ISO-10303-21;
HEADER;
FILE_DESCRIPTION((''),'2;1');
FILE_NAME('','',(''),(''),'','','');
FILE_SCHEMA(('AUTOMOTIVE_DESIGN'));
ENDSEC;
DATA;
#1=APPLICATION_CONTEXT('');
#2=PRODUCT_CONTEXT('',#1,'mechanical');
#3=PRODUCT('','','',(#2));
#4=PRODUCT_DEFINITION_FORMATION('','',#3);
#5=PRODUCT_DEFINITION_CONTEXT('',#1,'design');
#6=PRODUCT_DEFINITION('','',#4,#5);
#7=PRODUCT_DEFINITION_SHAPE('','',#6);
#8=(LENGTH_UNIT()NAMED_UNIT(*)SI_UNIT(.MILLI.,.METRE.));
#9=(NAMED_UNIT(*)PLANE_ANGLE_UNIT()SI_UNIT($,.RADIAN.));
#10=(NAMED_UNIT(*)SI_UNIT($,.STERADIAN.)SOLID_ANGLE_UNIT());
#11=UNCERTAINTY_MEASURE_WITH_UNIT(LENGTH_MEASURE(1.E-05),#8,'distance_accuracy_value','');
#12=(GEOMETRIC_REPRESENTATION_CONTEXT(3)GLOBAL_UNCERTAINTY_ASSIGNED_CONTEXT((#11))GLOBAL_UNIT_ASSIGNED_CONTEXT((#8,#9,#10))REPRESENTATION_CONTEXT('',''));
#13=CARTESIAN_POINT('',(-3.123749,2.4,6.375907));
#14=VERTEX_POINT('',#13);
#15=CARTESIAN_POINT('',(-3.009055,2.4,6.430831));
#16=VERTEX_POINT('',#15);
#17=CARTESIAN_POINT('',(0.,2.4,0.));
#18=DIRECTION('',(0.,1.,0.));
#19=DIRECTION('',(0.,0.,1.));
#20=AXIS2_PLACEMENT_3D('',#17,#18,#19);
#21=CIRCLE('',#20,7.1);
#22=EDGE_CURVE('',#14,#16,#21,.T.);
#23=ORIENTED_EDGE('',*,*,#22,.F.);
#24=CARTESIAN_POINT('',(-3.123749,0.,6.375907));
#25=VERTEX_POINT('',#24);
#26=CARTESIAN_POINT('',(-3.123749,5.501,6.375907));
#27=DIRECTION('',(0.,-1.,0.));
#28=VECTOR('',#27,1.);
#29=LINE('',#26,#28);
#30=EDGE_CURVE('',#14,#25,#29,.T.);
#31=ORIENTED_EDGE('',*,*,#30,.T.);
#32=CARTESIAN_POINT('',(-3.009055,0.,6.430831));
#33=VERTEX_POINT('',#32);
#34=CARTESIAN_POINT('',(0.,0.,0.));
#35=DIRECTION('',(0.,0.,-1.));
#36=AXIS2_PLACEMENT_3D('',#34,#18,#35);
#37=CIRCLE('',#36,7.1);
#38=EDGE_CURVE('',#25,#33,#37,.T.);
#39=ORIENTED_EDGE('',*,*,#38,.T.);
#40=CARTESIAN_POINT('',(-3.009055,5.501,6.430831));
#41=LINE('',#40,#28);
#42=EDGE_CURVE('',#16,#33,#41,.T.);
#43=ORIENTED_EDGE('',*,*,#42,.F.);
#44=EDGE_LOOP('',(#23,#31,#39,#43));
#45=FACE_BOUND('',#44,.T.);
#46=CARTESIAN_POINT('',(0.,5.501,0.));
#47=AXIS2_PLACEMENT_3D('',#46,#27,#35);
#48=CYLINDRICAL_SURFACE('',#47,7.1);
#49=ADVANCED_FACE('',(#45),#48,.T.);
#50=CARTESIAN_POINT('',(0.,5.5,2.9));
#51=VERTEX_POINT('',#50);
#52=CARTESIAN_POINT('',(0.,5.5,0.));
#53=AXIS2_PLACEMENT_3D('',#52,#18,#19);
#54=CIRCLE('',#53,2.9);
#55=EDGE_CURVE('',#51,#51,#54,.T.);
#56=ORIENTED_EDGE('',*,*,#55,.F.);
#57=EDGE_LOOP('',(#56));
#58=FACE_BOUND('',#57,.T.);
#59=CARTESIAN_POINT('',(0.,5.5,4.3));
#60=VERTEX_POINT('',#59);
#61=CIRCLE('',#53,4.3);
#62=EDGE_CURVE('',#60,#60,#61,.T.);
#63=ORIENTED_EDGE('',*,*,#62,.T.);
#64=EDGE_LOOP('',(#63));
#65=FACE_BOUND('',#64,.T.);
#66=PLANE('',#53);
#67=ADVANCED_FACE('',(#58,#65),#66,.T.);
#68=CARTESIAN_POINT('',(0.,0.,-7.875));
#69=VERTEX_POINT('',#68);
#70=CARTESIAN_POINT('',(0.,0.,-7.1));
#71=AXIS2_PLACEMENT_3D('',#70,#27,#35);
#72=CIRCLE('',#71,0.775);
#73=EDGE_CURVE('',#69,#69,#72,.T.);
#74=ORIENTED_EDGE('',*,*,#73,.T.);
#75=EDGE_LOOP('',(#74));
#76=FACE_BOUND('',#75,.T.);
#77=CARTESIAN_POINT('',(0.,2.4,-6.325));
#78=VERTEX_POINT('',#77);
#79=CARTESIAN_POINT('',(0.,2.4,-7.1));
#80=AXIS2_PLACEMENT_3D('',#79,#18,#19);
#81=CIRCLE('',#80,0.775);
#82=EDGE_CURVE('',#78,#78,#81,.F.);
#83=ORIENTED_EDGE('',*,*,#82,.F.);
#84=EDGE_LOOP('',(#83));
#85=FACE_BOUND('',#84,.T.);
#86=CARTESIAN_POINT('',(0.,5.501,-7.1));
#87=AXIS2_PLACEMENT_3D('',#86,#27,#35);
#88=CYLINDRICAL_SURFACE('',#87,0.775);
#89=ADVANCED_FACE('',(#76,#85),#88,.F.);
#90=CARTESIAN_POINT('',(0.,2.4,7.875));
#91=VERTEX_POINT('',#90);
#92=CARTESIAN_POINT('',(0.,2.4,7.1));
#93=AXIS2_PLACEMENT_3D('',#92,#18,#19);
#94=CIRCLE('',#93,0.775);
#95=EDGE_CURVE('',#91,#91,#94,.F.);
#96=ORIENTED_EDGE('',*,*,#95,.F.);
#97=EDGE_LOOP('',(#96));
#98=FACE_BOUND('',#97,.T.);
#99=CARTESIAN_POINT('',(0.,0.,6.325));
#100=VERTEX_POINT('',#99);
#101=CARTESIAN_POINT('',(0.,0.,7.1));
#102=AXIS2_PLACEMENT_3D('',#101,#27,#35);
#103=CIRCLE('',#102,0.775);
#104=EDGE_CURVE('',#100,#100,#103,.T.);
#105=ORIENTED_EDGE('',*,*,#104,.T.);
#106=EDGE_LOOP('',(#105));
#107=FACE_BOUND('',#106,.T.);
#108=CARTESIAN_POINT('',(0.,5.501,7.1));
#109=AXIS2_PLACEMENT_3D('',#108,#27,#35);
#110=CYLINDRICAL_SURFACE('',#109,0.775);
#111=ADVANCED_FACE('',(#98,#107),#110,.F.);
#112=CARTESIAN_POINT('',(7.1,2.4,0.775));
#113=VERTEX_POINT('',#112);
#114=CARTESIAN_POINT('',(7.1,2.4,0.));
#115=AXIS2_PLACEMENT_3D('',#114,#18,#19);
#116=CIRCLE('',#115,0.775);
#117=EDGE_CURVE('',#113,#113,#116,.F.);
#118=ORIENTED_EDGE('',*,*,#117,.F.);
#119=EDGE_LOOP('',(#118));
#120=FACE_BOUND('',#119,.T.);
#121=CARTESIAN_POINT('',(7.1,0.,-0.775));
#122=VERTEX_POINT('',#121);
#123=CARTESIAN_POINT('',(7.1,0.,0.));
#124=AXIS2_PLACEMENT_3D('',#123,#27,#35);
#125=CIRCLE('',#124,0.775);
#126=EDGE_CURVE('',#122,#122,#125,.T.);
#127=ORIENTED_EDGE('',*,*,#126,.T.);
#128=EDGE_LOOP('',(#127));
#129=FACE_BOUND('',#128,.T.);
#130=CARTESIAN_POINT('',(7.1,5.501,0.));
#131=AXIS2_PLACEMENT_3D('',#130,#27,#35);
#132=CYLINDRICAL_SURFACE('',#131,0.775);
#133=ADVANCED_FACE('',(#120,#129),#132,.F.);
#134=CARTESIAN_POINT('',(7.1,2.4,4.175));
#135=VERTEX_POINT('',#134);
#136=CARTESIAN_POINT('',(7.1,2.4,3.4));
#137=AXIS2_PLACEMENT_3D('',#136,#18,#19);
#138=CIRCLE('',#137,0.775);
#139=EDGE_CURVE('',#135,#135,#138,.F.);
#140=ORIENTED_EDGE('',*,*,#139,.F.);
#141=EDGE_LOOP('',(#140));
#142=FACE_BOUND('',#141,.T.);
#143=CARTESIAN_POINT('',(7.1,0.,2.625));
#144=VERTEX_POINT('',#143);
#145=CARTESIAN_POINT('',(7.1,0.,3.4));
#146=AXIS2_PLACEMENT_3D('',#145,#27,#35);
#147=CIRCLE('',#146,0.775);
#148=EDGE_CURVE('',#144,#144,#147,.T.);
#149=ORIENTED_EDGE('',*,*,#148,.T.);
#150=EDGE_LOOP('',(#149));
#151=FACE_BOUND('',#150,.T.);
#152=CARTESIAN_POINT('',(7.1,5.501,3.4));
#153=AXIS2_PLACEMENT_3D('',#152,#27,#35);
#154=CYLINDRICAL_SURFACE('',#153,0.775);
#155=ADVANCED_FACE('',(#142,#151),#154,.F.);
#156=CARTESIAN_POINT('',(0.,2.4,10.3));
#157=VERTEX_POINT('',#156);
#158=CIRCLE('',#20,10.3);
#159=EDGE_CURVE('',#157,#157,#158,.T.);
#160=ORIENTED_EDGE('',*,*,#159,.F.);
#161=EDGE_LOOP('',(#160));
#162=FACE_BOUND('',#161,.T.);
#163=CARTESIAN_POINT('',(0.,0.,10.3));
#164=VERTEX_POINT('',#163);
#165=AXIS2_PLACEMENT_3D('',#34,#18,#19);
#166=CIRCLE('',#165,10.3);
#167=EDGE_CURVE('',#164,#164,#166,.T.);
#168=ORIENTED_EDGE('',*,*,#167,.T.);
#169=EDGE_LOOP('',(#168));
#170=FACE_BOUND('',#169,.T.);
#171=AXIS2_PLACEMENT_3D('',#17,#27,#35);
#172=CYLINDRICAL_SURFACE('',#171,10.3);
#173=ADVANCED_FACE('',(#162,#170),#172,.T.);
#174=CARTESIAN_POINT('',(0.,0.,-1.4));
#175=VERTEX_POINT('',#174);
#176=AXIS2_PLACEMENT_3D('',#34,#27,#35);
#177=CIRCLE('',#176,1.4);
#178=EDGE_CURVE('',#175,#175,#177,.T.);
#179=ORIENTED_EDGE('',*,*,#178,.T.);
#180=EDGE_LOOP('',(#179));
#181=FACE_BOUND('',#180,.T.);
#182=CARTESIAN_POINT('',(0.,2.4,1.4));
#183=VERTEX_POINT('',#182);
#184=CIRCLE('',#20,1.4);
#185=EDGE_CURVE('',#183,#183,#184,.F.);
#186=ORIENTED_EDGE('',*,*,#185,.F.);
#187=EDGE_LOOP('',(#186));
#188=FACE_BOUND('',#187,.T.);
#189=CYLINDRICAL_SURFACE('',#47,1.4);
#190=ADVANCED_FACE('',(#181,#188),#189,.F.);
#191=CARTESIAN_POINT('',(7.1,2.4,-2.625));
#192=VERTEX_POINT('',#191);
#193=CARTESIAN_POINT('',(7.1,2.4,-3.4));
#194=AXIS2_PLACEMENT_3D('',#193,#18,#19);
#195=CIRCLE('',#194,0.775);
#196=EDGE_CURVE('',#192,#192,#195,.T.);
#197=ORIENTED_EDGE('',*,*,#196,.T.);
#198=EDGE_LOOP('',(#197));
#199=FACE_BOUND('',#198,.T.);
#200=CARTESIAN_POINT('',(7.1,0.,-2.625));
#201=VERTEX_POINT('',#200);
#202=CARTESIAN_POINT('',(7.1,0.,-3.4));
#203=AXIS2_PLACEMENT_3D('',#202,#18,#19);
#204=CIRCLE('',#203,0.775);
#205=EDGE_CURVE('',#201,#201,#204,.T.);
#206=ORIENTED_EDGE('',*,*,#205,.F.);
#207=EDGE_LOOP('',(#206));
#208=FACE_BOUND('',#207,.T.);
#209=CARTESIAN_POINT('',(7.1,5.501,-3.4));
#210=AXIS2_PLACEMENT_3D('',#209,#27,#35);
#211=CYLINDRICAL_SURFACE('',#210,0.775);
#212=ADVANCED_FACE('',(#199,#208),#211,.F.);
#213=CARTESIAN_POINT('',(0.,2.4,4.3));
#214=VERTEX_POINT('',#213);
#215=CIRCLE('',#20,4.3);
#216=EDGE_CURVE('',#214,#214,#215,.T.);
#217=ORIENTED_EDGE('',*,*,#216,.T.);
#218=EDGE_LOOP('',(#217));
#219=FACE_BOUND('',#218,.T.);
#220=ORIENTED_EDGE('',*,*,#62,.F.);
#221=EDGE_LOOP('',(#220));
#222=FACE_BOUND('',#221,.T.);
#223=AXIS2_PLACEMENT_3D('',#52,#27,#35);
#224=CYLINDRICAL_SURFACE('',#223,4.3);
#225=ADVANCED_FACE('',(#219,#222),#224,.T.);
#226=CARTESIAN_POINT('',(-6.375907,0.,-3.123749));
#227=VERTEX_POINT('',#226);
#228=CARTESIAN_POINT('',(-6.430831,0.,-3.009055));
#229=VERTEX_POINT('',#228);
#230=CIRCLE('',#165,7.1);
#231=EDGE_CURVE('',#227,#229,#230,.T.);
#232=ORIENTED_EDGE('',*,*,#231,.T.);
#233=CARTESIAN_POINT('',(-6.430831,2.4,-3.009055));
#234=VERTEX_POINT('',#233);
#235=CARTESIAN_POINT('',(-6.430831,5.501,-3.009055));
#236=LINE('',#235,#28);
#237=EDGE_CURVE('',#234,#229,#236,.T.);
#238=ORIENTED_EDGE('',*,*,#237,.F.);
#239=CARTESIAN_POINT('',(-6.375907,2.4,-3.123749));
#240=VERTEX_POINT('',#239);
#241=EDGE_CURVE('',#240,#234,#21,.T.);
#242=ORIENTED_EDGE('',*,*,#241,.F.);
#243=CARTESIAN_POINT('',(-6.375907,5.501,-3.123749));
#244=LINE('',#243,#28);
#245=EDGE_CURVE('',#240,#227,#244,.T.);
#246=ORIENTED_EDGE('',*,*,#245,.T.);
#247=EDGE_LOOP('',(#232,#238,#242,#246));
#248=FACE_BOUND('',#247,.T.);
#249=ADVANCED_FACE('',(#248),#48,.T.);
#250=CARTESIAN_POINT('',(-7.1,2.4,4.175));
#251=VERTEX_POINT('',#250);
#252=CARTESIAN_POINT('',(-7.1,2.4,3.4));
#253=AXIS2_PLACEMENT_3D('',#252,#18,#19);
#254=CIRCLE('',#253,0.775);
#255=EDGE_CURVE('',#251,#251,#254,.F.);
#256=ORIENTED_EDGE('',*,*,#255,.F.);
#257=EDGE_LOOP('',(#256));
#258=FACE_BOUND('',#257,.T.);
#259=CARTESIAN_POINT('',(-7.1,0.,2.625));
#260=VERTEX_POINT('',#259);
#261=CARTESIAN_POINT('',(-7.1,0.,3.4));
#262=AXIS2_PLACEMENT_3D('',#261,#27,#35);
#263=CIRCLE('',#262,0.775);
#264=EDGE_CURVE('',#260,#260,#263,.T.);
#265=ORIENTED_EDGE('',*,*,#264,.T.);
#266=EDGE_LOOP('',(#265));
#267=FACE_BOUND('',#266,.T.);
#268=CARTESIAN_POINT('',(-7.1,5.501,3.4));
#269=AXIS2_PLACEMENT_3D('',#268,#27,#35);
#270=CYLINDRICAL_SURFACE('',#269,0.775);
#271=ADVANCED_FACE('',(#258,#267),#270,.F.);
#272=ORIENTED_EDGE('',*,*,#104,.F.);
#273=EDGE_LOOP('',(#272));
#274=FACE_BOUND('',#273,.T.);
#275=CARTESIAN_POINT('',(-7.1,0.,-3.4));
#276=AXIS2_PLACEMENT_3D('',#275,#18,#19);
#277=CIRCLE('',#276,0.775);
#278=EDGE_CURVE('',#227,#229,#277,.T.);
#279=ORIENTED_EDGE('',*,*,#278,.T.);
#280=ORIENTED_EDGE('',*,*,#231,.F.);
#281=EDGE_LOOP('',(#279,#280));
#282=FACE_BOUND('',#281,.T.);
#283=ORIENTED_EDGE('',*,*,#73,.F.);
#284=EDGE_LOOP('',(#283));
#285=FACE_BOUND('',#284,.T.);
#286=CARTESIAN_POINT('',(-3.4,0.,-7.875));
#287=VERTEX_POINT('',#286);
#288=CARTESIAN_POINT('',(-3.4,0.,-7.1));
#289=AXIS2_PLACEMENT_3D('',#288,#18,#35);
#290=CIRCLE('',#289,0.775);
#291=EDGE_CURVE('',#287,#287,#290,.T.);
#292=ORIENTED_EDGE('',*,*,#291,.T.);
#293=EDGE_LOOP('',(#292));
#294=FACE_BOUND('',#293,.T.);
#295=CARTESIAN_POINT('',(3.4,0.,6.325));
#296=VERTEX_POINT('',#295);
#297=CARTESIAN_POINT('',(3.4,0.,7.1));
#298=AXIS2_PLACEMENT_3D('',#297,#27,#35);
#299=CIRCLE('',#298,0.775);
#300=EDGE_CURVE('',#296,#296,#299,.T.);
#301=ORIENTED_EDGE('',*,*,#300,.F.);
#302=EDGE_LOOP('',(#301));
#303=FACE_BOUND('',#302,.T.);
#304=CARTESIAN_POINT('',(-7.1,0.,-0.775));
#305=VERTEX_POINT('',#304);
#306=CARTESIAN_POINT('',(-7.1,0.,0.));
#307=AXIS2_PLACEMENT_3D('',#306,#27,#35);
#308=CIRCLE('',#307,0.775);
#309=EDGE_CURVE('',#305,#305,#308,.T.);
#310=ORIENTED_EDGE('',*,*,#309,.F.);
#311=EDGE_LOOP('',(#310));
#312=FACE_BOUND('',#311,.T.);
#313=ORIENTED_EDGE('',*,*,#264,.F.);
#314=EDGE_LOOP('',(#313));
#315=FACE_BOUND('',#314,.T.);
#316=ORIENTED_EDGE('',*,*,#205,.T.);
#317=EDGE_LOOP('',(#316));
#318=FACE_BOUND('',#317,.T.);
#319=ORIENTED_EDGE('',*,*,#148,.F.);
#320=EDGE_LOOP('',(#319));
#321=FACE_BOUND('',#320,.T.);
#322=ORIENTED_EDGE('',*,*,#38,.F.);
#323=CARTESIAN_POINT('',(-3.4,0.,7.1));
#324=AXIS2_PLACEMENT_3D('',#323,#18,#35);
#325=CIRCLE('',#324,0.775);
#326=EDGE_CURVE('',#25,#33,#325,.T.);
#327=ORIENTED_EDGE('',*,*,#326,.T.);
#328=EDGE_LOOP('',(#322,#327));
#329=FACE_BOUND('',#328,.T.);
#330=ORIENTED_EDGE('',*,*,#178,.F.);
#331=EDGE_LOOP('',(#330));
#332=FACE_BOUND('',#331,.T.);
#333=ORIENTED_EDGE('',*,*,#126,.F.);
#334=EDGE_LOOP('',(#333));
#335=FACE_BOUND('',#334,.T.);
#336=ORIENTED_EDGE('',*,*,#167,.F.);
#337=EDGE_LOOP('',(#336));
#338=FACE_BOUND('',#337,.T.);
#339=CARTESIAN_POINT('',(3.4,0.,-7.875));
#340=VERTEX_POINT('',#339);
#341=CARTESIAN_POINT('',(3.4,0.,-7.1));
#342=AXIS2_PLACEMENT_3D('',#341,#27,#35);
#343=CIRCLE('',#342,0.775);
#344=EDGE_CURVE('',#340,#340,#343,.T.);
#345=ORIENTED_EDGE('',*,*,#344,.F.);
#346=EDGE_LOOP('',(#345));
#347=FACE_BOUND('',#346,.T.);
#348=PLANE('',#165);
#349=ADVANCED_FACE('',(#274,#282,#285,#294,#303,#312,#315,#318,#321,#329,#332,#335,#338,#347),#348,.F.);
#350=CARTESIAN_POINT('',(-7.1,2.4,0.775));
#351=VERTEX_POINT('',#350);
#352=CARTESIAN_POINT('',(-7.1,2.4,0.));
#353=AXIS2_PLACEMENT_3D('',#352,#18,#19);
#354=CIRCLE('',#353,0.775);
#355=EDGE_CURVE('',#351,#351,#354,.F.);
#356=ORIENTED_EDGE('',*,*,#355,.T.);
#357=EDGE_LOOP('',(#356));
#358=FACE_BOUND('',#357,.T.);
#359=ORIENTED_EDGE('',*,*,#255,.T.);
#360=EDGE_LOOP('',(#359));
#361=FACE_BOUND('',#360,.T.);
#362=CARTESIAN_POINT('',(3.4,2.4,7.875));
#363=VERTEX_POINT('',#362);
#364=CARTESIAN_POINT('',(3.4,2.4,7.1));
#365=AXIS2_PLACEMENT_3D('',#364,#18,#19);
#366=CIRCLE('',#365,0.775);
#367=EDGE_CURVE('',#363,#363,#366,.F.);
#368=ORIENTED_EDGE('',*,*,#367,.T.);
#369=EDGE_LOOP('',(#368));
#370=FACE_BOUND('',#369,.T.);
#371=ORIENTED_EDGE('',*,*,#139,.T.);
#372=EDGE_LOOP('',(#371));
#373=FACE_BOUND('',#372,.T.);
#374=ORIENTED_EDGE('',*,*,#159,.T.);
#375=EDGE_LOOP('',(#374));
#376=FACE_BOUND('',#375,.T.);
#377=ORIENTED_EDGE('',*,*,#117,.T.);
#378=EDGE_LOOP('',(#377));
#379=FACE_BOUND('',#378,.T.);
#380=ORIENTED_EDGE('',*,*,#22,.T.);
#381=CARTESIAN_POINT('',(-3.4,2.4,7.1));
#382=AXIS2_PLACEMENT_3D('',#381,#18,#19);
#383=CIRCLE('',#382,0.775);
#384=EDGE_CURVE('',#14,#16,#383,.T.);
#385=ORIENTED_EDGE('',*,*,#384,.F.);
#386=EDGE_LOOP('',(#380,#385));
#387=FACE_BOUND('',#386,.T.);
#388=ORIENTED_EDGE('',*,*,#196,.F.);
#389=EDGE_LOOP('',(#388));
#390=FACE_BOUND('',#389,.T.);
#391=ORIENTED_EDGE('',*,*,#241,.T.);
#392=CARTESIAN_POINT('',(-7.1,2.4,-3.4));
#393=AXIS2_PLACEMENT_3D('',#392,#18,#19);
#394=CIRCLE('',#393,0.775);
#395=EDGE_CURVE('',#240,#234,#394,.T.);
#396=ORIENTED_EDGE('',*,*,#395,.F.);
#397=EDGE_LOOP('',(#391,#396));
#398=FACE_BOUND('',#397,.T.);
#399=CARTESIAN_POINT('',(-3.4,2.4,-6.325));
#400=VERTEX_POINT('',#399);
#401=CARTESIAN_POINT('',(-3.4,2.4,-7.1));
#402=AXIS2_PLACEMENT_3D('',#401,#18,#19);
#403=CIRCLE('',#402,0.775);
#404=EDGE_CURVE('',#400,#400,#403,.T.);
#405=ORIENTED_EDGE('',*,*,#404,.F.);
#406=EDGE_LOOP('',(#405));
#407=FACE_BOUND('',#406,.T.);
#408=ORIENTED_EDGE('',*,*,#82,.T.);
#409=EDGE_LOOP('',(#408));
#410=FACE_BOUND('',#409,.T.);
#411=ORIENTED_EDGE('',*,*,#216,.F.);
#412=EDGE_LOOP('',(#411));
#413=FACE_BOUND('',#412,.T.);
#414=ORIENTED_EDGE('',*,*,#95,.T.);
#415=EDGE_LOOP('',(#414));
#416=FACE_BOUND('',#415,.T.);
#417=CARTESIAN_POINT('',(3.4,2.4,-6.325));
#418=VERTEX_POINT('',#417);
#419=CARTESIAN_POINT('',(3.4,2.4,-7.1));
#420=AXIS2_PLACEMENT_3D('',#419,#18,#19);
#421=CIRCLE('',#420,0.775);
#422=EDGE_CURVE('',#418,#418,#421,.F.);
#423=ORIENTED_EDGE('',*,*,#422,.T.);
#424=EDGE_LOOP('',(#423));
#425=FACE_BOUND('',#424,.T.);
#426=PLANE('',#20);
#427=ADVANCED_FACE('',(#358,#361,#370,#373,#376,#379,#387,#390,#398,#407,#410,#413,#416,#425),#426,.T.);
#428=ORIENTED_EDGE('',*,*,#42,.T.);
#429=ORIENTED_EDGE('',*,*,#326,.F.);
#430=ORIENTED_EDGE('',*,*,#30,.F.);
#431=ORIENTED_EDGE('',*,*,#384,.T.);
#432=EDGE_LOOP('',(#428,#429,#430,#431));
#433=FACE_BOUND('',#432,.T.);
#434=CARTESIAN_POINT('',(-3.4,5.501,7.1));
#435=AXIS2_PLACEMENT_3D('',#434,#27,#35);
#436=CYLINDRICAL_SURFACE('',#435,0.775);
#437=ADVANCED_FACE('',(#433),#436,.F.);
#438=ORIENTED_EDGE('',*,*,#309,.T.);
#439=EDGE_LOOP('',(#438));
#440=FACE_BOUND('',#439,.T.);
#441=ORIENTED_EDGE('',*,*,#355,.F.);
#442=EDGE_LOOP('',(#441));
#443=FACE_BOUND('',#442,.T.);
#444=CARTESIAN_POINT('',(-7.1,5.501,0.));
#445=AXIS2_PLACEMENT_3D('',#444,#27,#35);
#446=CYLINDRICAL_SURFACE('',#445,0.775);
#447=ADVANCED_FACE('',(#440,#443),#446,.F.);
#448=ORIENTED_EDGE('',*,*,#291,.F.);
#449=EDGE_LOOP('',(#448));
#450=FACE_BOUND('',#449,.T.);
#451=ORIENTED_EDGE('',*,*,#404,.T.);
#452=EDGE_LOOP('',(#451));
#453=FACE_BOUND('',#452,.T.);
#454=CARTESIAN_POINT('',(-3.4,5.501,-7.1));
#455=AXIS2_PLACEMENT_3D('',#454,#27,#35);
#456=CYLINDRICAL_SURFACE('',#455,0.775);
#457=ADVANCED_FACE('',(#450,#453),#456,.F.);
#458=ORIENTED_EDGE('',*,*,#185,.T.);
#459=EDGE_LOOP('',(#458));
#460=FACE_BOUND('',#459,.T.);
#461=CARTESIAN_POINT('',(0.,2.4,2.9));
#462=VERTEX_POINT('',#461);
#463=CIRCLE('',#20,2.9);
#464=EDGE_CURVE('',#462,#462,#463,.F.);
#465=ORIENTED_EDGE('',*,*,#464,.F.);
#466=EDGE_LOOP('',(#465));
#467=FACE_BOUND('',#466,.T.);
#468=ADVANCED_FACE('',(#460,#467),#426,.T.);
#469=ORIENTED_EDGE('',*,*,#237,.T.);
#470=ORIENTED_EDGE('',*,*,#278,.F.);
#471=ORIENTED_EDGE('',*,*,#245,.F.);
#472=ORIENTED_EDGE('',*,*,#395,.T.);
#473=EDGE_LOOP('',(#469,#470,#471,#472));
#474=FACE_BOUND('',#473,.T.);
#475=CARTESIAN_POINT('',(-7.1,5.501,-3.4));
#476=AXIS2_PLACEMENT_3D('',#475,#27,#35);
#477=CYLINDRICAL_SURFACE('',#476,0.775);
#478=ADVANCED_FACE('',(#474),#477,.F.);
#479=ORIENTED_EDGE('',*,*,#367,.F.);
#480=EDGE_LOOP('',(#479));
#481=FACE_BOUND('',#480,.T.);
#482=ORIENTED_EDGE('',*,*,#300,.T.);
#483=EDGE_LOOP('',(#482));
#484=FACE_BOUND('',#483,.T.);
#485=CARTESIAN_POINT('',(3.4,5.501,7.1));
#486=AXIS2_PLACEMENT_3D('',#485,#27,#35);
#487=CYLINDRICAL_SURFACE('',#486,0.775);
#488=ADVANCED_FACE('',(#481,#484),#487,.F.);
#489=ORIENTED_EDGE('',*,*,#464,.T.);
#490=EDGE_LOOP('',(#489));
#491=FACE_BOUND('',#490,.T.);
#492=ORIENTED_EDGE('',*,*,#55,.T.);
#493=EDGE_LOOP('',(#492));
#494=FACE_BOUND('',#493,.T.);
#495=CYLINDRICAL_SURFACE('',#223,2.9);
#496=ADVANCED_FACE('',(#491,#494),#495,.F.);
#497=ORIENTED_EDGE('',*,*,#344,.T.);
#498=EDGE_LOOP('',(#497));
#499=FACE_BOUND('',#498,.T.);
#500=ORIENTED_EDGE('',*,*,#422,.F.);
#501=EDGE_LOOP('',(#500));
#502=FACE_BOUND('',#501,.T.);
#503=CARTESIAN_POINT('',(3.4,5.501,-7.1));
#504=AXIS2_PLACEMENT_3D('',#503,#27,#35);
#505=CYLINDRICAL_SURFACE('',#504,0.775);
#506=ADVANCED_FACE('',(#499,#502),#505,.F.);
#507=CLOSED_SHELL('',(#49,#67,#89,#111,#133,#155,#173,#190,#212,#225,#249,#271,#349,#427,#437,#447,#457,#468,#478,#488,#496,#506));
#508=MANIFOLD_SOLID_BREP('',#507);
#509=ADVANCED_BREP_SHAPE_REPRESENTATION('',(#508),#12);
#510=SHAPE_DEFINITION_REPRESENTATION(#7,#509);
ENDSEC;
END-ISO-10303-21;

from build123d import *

# Parameters (mm, degrees)
SKETCH_1_R          = 10.3
EXTRUDE_1_DEPTH     = 2.4
SKETCH_2_R          = 4.3
SKETCH_2_R_2        = 2.9
EXTRUDE_2_DEPTH     = 3.1
SKETCH_3_R          = 0.775
CUT_EXTRUDE_1_DEPTH = 2.4
CUT_EXTRUDE_2_REACH = 7.5
SKETCH_4_R          = 1.4


with BuildPart() as part:
    # 草图1 → 凸台-拉伸1 (new body)
    with BuildSketch(Plane(origin=(0, 0, 0), x_dir=(1, 0, 0), z_dir=(0, 1, 0))):
        Circle(SKETCH_1_R)
    extrude(amount=EXTRUDE_1_DEPTH)

    # 草图2 → 凸台-拉伸2 (add)
    with BuildSketch(Plane(origin=(0, 2.4, 0), x_dir=(1, 0, 0), z_dir=(0, 1, 0))):
        Circle(SKETCH_2_R)
        Circle(SKETCH_2_R_2, mode=Mode.SUBTRACT)
    extrude(amount=EXTRUDE_2_DEPTH)

    # 草图3 → 切除-拉伸1 (cut)
    with BuildSketch(Plane.XZ):
        with Locations((0, 7.1)):
            Circle(SKETCH_3_R)
        with BuildLine():
            ThreePointArc((3.009055484, 6.430830825), (3.066525057, 6.403625854), (3.123748696, 6.375907315))
            ThreePointArc((3.123748696, 6.375907315), (3.734726327, 7.798987329), (3.009055484, 6.430830825))
        make_face()
        with BuildLine():
            ThreePointArc((-6.430830825, 3.009055484), (-6.403625854, 3.066525057), (-6.375907315, 3.123748696))
            ThreePointArc((-6.375907315, 3.123748696), (-7.798987329, 3.734726327), (-6.430830825, 3.009055484))
        make_face()
        with Locations((7.1, 3.4)):
            Circle(SKETCH_3_R)
        with Locations((-7.1, 0)):
            Circle(SKETCH_3_R)
        with Locations((7.1, 0)):
            Circle(SKETCH_3_R)
        with Locations((0, -7.1)):
            Circle(SKETCH_3_R)
        with Locations((3.4, -7.1)):
            Circle(SKETCH_3_R)
    cut_extrude_1 = extrude(amount=-CUT_EXTRUDE_1_DEPTH, mode=Mode.SUBTRACT)

    # 镜向1: 切除-拉伸1 across plane
    add(cut_extrude_1.mirror(Plane(origin=(0, 0, 0), x_dir=(0, 0, 1), z_dir=(1, 0, 0))), mode=Mode.SUBTRACT)

    # 镜向2: 切除-拉伸1 across plane
    add(cut_extrude_1.mirror(Plane.XY), mode=Mode.SUBTRACT)

    # 草图4 → 切除-拉伸2 (cut, up to next)
    with BuildSketch(Plane.XZ, mode=Mode.PRIVATE) as cut_extrude_2_sk1:
        Circle(SKETCH_4_R)
    cut_extrude_2_tool1 = extrude(cut_extrude_2_sk1.sketch, amount=-CUT_EXTRUDE_2_REACH, mode=Mode.PRIVATE) & part.part
    add(cut_extrude_2_tool1.solids().sort_by_distance((0, 0, 0))[0], mode=Mode.SUBTRACT)


solid = part.part
